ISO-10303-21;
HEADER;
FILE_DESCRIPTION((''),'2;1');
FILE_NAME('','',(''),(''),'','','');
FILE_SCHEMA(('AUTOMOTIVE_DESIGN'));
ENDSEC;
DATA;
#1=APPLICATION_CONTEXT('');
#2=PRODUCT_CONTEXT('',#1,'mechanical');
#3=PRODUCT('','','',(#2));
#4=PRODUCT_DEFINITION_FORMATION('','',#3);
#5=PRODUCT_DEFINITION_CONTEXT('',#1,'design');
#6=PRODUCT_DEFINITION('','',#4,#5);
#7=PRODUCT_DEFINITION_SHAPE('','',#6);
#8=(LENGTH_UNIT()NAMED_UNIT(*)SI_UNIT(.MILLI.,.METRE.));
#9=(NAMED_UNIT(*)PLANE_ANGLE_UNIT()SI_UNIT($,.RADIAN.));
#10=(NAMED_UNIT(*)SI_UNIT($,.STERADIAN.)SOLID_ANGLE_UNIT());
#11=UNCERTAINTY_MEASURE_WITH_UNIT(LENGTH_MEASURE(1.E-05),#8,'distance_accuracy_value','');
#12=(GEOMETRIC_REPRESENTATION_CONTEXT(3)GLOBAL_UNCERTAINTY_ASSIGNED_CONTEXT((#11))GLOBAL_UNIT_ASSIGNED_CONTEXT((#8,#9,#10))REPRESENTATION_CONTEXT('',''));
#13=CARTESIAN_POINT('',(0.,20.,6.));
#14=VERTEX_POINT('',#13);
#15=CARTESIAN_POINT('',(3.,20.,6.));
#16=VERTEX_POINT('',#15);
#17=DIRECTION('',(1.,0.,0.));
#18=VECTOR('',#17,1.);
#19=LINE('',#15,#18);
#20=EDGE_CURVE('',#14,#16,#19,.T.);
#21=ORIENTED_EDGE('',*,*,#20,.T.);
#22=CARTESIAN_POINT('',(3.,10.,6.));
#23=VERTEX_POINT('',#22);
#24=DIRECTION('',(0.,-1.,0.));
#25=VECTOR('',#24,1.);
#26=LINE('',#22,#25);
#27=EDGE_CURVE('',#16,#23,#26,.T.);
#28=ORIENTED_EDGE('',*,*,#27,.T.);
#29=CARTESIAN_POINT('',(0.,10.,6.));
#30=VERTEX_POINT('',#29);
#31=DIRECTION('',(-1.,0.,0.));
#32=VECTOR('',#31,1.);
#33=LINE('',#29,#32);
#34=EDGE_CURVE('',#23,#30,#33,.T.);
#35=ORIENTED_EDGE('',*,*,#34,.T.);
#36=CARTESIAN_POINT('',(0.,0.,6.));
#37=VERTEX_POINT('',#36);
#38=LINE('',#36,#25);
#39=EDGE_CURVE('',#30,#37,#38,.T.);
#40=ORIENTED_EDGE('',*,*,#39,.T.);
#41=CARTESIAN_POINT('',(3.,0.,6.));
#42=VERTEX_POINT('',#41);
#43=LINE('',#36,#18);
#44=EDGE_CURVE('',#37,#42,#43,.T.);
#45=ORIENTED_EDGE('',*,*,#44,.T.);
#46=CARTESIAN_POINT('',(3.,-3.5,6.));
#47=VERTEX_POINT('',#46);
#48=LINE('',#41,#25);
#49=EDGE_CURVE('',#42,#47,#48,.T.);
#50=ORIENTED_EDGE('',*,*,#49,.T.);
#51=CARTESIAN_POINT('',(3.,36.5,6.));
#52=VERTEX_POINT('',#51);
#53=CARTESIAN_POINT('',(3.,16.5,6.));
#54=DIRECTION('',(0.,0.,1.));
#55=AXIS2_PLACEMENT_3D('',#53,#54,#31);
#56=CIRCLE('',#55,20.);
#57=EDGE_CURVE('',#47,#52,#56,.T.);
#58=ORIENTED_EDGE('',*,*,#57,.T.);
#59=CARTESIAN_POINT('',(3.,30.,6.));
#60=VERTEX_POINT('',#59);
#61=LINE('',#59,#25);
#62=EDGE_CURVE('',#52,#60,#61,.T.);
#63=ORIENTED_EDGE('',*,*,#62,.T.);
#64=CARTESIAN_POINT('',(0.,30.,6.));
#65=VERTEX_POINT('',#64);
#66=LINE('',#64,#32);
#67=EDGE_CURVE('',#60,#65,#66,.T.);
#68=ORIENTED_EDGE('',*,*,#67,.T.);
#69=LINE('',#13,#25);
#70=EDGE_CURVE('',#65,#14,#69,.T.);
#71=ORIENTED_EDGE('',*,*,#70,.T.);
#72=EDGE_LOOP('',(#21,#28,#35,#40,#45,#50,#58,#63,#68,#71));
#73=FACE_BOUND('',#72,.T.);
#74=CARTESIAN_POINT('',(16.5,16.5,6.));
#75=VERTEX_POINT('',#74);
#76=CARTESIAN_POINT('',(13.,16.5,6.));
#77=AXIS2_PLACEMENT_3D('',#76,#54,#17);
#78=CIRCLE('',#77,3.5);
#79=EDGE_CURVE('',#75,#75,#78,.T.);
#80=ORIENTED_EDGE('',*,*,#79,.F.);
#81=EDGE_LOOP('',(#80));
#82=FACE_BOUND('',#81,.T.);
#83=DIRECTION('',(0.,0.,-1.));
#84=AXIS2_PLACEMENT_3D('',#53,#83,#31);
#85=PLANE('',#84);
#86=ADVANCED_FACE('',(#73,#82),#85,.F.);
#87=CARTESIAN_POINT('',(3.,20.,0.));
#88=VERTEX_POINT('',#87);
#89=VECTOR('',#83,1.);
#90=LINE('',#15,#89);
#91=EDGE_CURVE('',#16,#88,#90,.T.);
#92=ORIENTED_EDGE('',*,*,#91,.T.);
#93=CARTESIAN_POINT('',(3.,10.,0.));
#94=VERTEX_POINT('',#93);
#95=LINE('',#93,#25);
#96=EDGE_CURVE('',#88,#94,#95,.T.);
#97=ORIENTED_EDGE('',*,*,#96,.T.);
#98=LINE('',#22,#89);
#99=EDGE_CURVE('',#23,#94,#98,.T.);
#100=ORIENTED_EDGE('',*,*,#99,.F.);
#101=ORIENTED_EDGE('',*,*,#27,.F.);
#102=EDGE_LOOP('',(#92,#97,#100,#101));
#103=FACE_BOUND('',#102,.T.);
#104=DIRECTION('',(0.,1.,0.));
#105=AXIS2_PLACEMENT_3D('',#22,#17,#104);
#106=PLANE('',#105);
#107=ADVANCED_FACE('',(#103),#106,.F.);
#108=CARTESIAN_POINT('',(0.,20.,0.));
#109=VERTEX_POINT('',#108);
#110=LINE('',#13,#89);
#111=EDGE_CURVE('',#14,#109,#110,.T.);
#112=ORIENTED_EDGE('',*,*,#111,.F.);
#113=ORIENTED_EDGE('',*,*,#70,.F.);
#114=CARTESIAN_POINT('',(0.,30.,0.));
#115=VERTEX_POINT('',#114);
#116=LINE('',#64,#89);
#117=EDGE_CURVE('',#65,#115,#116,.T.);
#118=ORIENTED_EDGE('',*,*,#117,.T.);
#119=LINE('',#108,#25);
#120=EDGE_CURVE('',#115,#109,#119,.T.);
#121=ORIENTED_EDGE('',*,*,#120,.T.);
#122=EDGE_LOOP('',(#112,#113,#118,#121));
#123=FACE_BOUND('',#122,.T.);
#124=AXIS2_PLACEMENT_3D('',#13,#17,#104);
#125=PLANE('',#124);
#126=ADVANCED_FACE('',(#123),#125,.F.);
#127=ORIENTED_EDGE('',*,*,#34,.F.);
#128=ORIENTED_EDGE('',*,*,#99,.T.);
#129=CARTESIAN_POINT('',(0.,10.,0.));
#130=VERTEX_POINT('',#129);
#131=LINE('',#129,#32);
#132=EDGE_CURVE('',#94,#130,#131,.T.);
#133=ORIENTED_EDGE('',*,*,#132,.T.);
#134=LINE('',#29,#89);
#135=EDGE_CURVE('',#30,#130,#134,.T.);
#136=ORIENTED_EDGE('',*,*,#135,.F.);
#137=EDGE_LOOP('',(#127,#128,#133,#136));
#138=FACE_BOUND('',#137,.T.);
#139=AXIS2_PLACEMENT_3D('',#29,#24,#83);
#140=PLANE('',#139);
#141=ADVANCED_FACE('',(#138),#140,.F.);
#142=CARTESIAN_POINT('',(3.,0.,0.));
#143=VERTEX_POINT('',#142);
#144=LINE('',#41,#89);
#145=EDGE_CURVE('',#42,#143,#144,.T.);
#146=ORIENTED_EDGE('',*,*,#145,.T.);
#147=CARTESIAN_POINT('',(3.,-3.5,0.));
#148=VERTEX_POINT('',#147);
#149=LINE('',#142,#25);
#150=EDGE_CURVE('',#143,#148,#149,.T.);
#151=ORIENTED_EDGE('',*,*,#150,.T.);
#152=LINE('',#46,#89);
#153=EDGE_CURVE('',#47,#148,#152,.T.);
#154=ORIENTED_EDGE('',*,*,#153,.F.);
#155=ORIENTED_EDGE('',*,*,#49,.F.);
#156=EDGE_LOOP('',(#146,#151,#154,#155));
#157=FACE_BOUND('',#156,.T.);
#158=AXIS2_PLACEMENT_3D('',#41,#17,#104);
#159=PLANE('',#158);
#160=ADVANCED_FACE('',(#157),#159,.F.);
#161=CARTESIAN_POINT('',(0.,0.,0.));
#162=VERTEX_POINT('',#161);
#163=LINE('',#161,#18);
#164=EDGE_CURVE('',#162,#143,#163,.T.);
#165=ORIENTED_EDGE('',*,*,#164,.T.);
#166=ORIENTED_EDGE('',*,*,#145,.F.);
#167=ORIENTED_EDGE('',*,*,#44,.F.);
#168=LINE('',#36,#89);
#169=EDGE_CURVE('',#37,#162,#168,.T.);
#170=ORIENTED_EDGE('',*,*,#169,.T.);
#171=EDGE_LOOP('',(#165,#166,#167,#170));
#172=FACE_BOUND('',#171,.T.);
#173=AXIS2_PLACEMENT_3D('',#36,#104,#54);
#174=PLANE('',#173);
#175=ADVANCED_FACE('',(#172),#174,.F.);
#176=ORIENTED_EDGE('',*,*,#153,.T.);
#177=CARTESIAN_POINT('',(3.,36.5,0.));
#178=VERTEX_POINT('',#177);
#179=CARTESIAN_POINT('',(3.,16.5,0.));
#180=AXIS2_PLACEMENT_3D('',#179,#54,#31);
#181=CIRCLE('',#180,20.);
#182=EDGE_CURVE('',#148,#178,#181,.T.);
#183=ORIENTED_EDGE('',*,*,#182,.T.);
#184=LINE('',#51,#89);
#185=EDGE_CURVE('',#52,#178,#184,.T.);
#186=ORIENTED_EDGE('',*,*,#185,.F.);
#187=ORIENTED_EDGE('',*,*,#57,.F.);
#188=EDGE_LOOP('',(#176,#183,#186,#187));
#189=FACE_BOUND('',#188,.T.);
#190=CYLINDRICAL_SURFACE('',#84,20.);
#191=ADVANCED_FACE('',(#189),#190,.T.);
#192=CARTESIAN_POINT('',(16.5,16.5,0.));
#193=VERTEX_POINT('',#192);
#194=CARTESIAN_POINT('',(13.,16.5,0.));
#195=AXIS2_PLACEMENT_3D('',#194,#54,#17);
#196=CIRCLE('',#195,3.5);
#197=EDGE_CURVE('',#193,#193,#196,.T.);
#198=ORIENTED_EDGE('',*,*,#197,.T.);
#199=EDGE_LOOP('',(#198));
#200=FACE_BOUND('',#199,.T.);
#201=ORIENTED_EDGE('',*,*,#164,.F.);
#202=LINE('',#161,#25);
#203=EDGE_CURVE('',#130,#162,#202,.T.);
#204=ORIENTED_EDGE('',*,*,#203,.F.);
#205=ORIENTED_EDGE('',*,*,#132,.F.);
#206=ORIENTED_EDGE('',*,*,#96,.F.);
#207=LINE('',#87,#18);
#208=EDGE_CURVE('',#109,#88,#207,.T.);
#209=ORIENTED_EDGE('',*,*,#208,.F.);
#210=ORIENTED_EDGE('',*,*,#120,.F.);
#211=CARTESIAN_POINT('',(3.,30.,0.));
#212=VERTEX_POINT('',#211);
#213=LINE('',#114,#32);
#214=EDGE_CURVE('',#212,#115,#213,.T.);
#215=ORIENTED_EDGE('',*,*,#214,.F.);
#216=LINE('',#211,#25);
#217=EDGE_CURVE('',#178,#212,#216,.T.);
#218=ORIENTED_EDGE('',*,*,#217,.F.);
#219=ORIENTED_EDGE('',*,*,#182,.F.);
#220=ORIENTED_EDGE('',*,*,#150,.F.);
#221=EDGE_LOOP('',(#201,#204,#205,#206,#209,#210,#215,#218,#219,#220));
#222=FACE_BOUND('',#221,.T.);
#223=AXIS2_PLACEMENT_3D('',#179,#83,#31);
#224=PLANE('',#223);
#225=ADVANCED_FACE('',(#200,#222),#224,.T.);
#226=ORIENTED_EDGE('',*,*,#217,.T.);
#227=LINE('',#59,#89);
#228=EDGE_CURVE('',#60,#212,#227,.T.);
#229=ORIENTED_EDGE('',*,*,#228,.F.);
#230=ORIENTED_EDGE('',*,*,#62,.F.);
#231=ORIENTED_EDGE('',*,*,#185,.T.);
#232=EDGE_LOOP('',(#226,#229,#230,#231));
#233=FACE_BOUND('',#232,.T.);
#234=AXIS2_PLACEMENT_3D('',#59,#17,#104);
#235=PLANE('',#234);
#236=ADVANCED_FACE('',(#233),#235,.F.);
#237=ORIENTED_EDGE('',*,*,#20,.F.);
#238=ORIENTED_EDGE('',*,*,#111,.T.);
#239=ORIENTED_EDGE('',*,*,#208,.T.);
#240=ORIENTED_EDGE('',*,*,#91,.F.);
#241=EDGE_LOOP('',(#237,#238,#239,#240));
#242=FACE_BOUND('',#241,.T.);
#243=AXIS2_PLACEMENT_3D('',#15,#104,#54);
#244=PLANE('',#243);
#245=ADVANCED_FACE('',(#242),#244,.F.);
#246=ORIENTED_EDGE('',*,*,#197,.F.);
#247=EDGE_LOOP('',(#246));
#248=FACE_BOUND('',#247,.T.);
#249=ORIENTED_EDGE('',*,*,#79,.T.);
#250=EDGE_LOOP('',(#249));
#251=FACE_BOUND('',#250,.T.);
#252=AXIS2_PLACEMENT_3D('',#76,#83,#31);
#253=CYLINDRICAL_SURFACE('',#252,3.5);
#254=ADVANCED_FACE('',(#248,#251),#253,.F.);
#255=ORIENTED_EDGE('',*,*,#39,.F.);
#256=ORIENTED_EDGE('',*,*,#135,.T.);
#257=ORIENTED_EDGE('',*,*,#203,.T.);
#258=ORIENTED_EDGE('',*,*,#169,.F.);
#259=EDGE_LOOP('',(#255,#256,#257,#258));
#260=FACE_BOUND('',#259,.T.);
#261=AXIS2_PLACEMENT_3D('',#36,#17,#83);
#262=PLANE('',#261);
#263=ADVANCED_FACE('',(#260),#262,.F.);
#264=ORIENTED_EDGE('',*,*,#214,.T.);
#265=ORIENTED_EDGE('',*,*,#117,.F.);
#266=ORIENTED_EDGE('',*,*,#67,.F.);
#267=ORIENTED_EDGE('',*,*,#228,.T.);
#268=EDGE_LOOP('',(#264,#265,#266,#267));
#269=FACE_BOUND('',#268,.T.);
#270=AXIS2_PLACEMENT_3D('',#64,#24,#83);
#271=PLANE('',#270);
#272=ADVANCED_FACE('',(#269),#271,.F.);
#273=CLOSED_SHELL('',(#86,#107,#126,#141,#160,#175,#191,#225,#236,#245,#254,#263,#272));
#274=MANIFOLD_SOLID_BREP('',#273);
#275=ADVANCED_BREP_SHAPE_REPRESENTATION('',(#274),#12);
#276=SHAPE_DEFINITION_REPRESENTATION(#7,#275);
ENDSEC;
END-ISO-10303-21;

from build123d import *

# Parameters (mm, degrees)
SKETCH1_R           = 3.5
BOSS_EXTRUDE1_DEPTH = 6


with BuildPart() as part:
    # Sketch1 → Boss-Extrude1 (new body)
    with BuildSketch(Plane.XY):
        with BuildLine():
            Line((0, 0), (0, 10))
            Line((0, 10), (3, 10))
            Line((3, 10), (3, 20))
            Line((3, 20), (0, 20))
            Line((0, 20), (0, 30))
            Line((0, 30), (3, 30))
            Line((3, 30), (3, 36.5))
            ThreePointArc((3, 36.5), (23, 16.5), (3, -3.5))
            Line((3, -3.5), (3, 0))
            Line((3, 0), (0, 0))
        make_face()
        with Locations((13, 16.5)):
            Circle(SKETCH1_R, mode=Mode.SUBTRACT)
    extrude(amount=BOSS_EXTRUDE1_DEPTH)


solid = part.part
